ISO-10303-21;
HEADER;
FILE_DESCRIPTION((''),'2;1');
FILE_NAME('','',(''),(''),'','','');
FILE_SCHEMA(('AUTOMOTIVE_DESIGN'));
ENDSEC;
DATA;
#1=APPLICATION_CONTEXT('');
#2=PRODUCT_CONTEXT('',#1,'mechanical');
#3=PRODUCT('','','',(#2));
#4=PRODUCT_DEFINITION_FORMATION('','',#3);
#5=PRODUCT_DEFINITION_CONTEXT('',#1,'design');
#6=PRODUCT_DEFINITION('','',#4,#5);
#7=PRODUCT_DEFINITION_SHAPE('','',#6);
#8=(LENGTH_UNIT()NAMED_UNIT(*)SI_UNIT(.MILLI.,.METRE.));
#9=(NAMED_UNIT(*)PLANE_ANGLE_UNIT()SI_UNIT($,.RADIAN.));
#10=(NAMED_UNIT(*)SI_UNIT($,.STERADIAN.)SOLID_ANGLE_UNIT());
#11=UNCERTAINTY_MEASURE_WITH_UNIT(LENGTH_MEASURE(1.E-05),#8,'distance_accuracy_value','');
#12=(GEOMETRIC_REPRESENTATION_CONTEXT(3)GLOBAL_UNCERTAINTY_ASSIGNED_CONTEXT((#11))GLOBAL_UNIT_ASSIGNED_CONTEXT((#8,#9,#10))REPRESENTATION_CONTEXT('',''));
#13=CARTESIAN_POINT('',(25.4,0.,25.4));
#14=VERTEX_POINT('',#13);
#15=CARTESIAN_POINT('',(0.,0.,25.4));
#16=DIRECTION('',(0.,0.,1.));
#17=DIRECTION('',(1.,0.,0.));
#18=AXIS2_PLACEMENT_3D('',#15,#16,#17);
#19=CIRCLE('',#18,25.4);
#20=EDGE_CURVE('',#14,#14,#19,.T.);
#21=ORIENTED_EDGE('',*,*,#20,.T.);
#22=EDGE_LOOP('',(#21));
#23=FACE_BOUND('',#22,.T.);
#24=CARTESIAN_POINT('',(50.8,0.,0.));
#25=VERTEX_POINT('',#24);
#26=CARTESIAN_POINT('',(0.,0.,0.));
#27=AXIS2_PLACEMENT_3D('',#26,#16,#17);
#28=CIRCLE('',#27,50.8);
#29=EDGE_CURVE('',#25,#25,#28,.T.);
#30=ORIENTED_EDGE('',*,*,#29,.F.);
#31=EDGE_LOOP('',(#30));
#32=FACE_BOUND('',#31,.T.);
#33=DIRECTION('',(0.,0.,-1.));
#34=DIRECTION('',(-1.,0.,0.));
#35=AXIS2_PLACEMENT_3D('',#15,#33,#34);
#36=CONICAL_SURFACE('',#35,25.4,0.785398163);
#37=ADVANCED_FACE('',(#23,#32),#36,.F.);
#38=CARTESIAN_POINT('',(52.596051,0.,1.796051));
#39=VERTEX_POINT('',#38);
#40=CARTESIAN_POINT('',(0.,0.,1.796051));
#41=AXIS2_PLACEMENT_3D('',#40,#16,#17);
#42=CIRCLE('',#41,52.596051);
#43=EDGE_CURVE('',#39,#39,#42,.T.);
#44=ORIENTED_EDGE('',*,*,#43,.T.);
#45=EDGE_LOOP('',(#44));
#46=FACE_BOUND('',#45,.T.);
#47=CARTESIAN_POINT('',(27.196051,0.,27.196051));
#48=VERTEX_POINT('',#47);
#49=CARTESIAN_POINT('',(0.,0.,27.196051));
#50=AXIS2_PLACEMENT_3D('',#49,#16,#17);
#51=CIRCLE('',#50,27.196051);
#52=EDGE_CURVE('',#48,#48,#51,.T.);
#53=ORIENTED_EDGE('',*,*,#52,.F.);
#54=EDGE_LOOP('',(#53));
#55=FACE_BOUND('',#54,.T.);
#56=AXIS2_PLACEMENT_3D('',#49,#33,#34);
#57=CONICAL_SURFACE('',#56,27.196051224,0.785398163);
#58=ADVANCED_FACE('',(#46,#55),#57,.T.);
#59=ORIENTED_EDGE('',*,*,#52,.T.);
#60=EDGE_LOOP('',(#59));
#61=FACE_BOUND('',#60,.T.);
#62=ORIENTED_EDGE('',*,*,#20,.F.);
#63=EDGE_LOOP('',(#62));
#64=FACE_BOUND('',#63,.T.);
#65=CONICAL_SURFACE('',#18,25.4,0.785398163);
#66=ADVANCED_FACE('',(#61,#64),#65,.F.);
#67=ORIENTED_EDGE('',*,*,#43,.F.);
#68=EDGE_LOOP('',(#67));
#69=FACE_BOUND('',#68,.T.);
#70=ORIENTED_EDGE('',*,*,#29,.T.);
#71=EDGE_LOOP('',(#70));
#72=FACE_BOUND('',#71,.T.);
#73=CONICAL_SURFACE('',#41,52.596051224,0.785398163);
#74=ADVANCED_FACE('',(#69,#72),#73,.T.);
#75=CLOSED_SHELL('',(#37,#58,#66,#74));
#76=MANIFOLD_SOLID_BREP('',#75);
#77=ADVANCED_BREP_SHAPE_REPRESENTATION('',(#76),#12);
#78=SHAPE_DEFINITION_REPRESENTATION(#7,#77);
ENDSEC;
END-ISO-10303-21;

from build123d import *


with BuildPart() as part:
    # Sketch1 → Revolve-Thin1 (revolve)
    with BuildSketch(Plane.YZ, mode=Mode.PRIVATE) as revolve_thin1_sk:
        Polygon((25.4, 25.4), (50.8, 0), (52.596051224, 1.796051224), (27.196051224, 27.196051224), align=None)
    revolve(revolve_thin1_sk.sketch.rotate(Axis((0, 0, 26.67), (0, 0, -1)), 90), axis=Axis((0, 0, 26.67), (0, 0, -1)))


solid = part.part
